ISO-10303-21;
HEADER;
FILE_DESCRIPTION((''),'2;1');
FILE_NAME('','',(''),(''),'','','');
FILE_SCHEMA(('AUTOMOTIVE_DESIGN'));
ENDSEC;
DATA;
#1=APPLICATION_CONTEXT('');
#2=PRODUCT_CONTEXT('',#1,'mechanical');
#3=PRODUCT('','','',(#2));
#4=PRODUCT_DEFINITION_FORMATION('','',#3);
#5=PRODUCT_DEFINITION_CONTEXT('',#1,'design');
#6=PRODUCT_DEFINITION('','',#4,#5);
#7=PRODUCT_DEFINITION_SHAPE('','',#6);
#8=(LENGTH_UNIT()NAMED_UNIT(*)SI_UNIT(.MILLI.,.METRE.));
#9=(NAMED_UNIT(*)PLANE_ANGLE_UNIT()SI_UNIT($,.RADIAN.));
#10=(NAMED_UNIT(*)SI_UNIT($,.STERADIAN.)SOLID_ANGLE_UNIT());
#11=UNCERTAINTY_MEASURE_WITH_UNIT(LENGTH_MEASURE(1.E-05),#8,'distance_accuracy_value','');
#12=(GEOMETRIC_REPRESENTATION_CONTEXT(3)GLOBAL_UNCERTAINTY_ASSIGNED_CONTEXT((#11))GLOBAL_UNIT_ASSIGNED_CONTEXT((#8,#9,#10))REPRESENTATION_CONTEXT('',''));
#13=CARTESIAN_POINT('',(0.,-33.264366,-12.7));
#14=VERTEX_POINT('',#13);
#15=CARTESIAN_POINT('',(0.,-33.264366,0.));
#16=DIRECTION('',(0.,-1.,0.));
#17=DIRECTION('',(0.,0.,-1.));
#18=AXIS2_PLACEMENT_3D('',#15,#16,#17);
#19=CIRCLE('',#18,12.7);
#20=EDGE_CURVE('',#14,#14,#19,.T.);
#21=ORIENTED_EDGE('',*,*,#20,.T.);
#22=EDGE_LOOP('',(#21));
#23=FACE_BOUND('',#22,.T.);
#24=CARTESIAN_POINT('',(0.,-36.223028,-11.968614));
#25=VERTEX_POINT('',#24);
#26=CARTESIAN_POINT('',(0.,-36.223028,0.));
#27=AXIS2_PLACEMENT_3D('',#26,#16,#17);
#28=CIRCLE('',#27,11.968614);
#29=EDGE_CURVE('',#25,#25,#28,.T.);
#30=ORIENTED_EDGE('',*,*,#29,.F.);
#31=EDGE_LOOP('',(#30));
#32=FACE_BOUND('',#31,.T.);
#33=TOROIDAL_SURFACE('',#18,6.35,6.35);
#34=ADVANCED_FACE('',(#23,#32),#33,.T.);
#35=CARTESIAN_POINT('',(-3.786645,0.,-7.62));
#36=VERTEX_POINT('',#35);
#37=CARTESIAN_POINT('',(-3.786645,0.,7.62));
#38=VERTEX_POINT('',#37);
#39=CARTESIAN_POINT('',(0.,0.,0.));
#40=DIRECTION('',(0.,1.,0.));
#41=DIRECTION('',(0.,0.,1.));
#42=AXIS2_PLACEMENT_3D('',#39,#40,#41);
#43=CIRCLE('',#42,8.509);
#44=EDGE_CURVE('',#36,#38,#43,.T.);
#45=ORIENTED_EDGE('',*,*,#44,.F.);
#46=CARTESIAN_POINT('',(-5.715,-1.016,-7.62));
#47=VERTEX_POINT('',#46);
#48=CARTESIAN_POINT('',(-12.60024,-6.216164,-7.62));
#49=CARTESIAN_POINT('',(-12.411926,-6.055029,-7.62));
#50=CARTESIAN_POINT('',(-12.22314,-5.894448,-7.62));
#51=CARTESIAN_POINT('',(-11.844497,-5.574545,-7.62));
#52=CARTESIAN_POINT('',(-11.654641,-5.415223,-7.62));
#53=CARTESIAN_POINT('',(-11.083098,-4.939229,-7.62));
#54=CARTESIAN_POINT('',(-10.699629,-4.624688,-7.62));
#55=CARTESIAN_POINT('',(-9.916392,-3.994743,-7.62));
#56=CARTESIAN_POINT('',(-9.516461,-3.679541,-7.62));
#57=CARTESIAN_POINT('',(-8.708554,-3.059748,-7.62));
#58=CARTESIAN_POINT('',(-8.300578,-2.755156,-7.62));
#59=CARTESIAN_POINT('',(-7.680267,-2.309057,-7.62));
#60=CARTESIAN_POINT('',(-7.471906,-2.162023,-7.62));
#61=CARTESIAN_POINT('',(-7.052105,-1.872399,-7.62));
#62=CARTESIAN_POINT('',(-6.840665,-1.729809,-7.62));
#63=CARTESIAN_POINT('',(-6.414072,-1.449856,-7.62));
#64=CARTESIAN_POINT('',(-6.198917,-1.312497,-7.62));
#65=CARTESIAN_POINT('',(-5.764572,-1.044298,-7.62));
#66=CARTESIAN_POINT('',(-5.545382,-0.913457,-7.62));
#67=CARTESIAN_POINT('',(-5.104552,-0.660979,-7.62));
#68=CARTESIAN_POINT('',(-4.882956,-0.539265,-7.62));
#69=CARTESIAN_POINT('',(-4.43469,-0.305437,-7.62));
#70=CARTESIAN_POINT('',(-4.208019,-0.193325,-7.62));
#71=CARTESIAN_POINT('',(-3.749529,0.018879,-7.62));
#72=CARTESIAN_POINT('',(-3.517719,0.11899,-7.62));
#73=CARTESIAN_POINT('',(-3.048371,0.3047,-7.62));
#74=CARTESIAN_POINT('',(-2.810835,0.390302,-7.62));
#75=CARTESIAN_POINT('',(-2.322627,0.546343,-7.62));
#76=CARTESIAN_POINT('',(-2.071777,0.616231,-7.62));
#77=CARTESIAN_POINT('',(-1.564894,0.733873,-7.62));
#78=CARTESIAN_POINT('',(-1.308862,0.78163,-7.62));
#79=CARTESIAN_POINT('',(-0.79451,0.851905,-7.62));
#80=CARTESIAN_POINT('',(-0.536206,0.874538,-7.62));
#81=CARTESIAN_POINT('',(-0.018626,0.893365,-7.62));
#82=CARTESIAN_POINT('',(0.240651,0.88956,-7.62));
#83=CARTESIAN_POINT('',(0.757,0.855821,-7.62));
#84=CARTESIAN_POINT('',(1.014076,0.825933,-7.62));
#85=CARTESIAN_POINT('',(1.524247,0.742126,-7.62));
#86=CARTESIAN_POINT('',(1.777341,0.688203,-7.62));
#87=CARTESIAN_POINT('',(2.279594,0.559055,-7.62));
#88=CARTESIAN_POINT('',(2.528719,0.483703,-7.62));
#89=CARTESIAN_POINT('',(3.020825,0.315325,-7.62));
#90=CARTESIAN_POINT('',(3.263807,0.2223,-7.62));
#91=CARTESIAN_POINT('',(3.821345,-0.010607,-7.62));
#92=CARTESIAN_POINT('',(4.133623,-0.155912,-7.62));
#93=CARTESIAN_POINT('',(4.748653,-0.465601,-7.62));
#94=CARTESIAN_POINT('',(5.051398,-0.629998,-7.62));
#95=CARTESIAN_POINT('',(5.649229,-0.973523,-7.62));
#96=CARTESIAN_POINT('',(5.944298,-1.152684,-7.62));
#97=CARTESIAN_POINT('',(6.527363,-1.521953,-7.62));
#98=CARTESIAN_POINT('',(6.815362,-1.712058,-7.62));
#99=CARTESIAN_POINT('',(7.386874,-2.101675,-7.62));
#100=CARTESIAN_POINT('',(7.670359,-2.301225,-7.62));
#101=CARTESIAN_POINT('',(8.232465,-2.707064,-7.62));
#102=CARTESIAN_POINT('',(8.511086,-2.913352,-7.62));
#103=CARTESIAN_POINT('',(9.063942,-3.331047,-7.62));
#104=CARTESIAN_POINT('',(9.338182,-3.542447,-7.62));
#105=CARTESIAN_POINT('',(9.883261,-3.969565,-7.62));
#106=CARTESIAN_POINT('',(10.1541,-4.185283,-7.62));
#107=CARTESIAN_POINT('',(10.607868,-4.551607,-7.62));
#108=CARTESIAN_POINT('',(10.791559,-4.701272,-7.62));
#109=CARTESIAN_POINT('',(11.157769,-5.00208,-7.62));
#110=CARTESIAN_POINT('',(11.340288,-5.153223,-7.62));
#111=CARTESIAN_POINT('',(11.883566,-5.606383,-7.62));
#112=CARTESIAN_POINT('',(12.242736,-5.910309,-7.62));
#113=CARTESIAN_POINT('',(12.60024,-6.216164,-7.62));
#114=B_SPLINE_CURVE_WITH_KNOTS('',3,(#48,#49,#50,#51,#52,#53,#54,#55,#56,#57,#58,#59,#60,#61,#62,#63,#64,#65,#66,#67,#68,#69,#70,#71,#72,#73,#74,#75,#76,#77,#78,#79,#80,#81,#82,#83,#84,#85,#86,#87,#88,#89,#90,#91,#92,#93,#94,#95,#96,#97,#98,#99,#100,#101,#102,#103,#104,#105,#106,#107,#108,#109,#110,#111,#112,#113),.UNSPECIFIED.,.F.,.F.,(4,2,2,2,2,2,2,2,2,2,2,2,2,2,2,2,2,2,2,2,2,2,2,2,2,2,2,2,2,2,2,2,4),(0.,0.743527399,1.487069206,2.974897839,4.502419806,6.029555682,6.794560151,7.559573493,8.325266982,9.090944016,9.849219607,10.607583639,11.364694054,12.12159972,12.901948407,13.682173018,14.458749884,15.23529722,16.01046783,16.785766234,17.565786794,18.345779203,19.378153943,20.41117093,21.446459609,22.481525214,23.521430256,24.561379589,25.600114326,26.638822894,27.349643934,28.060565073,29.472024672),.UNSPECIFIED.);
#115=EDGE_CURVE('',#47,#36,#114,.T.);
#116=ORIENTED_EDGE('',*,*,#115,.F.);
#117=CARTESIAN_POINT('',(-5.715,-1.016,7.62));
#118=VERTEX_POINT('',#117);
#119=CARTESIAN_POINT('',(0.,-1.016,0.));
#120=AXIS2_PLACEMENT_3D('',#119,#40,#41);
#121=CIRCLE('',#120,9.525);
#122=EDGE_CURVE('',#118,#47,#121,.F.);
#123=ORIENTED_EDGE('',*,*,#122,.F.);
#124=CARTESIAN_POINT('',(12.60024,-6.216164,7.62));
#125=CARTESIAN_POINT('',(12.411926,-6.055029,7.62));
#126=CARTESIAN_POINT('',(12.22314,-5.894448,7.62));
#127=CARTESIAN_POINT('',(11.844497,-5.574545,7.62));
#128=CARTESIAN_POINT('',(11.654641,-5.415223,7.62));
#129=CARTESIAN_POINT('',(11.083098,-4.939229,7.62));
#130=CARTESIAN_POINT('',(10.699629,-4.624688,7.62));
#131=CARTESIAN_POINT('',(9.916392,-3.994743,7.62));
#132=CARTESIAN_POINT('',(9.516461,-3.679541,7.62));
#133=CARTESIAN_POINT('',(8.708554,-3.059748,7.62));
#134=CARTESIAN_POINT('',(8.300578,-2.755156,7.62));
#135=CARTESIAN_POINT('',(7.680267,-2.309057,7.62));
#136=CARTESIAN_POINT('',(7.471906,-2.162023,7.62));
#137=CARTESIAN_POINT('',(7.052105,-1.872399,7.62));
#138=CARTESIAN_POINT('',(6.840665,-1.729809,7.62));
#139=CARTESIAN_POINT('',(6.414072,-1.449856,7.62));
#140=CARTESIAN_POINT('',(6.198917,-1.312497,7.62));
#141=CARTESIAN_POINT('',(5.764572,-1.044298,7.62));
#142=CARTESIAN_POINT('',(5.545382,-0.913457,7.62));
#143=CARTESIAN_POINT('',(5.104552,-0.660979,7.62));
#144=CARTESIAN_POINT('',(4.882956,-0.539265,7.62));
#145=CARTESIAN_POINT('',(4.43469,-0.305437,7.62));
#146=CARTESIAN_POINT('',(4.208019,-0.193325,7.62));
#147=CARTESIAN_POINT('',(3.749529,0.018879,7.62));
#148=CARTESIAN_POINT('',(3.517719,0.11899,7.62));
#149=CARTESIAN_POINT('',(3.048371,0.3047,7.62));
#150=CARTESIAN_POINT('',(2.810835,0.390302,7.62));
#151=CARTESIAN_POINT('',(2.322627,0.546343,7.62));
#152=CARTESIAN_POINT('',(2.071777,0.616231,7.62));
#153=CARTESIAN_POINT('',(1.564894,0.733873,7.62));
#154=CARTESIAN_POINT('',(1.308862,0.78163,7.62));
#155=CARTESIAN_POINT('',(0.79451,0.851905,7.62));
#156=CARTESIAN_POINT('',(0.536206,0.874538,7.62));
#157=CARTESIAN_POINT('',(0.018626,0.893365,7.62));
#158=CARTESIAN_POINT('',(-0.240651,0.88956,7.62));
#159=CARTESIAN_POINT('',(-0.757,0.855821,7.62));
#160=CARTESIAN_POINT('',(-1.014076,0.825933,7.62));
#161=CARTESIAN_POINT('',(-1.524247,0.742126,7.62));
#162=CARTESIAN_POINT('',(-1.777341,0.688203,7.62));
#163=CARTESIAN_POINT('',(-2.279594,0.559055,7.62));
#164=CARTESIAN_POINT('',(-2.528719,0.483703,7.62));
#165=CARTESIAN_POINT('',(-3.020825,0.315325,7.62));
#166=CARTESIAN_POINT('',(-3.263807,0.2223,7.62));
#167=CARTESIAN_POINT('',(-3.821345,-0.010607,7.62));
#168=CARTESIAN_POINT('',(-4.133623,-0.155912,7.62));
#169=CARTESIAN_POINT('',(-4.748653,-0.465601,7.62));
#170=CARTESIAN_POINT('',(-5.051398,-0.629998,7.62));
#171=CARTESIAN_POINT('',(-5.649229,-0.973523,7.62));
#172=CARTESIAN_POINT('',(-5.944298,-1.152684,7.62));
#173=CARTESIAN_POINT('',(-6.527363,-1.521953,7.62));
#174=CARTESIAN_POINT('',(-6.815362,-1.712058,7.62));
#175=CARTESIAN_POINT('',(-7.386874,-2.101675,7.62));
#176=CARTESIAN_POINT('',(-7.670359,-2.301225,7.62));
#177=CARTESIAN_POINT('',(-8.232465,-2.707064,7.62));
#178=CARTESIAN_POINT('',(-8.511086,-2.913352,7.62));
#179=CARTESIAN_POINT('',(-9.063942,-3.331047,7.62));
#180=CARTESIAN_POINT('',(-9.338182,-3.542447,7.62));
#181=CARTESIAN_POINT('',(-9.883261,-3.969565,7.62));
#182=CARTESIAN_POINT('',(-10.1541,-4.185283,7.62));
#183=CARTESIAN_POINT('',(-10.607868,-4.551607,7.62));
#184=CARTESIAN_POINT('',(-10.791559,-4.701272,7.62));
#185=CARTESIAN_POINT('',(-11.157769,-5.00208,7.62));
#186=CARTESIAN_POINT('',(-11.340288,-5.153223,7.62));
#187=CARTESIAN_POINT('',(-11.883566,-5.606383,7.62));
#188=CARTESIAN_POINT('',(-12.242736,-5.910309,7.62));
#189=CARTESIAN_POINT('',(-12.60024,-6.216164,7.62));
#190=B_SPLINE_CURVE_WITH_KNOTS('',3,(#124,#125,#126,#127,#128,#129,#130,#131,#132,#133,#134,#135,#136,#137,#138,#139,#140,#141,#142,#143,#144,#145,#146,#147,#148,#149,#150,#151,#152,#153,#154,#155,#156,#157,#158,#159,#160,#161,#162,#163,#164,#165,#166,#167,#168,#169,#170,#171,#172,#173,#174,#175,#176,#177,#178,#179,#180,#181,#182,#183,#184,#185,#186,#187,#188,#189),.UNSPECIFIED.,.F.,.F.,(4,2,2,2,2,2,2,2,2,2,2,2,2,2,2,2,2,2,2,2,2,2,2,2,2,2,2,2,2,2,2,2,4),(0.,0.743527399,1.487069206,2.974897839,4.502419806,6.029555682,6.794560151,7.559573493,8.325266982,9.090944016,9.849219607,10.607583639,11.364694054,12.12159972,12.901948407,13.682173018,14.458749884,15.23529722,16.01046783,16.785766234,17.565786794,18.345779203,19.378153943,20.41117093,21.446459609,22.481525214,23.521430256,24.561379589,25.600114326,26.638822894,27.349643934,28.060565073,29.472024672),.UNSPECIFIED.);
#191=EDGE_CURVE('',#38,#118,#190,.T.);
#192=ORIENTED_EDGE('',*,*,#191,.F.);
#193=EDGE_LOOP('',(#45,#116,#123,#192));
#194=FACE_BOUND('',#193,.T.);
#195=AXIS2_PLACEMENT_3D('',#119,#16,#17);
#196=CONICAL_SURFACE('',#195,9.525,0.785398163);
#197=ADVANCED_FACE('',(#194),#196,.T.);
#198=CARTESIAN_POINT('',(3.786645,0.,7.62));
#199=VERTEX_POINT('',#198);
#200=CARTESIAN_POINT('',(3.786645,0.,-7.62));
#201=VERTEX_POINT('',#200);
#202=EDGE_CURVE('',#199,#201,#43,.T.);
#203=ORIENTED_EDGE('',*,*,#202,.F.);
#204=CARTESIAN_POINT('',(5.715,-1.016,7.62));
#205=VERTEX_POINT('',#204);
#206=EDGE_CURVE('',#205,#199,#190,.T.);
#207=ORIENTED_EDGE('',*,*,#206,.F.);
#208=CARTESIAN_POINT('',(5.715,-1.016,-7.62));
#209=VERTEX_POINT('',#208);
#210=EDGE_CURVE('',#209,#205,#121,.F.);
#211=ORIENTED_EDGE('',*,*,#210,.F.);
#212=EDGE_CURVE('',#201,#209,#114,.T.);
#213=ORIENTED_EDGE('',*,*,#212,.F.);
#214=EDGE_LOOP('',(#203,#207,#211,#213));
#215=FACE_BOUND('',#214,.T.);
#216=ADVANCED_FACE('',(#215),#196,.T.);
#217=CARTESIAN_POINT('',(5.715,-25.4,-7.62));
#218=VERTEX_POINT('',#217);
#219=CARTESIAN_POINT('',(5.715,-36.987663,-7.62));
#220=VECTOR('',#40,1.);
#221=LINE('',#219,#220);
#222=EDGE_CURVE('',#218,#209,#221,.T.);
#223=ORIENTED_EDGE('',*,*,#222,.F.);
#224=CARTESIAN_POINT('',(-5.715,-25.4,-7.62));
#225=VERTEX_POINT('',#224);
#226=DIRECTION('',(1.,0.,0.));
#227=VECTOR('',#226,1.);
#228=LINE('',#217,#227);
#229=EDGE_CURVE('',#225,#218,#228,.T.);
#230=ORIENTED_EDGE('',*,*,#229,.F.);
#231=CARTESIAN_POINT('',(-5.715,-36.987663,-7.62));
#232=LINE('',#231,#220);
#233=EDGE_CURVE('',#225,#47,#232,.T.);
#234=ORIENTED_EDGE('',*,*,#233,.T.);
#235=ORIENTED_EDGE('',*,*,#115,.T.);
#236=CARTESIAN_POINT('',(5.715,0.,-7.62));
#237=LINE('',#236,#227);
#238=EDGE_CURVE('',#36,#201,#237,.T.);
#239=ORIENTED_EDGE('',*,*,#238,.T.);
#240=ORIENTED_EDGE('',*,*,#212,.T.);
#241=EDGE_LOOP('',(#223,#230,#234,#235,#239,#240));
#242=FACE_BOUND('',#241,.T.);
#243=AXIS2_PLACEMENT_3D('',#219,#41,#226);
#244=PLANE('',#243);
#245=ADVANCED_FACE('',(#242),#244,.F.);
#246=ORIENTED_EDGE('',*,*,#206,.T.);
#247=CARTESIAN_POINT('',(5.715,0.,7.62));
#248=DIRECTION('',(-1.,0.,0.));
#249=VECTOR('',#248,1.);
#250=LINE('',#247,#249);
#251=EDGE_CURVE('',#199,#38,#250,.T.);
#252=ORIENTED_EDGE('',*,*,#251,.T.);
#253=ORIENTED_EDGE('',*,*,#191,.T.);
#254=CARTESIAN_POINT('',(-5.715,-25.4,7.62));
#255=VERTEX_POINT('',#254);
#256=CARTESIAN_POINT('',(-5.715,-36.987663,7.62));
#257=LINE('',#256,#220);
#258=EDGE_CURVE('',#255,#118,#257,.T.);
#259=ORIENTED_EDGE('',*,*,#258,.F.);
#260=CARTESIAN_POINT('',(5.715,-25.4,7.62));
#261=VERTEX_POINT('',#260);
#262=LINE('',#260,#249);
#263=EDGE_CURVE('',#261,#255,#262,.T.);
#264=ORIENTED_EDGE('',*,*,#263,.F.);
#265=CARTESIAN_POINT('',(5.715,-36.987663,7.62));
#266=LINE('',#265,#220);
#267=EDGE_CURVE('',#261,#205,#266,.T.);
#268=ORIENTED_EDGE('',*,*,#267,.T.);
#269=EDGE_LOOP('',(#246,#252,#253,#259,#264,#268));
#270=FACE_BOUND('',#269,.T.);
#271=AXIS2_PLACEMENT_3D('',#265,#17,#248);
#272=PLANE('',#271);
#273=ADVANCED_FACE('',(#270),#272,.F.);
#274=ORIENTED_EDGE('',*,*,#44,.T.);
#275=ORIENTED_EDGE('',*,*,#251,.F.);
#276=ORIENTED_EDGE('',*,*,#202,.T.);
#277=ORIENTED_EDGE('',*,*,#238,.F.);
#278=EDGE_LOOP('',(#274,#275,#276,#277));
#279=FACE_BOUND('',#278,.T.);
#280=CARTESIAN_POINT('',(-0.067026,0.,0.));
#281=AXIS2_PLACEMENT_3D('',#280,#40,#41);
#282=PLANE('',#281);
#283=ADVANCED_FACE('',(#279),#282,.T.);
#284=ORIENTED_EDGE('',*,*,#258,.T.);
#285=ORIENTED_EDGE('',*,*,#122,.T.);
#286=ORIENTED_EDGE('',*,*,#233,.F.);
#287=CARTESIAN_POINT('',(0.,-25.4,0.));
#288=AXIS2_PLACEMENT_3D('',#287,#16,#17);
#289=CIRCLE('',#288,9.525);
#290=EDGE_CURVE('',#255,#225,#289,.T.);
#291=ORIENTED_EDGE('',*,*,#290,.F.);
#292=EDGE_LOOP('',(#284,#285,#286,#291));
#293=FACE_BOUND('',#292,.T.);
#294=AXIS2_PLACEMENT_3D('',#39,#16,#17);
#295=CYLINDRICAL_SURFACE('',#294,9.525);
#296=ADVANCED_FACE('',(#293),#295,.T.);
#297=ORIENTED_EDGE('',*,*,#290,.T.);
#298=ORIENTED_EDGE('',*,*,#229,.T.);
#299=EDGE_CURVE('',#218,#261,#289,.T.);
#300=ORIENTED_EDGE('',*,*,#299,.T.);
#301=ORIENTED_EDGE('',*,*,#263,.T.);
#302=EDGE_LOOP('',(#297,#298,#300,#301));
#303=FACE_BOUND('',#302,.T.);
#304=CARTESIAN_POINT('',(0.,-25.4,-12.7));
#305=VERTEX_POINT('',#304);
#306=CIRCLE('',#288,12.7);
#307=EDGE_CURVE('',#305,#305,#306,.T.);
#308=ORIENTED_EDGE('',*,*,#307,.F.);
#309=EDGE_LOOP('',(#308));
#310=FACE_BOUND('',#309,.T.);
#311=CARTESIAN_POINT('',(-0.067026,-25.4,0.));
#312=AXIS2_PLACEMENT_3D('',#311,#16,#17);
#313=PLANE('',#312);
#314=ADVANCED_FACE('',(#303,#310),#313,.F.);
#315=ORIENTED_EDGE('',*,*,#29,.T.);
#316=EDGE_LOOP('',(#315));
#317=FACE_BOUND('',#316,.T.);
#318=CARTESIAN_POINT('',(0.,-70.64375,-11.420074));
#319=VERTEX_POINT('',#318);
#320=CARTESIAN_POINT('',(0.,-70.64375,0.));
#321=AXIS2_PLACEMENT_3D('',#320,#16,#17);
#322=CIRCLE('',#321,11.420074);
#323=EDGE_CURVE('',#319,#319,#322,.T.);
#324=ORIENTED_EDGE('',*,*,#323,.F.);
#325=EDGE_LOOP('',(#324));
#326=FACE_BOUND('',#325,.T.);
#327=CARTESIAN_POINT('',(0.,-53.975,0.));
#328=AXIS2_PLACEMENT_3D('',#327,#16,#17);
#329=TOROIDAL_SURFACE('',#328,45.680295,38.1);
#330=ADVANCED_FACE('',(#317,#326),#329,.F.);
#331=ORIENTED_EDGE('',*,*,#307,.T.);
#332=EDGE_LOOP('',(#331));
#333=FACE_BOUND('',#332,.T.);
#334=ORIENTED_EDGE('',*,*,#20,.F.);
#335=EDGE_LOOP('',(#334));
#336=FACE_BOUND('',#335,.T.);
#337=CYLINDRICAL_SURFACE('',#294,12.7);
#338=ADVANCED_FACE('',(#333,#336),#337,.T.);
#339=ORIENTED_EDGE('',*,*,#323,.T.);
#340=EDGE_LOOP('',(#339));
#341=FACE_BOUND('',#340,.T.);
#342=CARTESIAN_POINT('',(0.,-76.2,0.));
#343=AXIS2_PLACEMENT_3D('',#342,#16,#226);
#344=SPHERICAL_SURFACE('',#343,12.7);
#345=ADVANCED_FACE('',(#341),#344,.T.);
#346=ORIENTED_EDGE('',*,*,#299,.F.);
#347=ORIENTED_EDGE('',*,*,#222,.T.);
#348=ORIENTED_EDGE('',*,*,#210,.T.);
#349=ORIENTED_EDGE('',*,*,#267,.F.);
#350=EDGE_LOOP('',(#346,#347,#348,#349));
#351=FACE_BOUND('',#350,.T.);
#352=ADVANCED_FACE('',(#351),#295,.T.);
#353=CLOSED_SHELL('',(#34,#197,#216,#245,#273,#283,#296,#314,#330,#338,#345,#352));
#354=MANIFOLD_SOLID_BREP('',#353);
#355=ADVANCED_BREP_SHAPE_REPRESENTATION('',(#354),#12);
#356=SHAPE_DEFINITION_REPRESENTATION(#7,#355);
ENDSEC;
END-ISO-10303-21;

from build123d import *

# Parameters (mm, degrees)
CHAMFER1_SIZE      = 1.016
CUT_EXTRUDE1_DEPTH = 25.4


with BuildPart() as part:
    # Sketch1 → Revolve1 (revolve)
    with BuildSketch(Plane.XY, mode=Mode.PRIVATE) as revolve1_sk:
        with BuildLine():
            Line((9.525, 0), (0, 0))
            Line((0, 0), (0, -88.9))
            ThreePointArc((0, -88.9), (10.766948848, -82.935192091), (11.420073815, -70.64375))
            ThreePointArc((11.420073815, -70.64375), (7.585132399, -53.36790313), (11.968613609, -36.223027708))
            ThreePointArc((11.968613609, -36.223027708), (12.514442246, -34.788226477), (12.7, -33.264365659))
            Line((12.7, -33.264365659), (12.7, -25.4))
            Line((12.7, -25.4), (9.525, -25.4))
            Line((9.525, -25.4), (9.525, 0))
        make_face()
    revolve(revolve1_sk.sketch.rotate(Axis((0, 0, 0), (0, 1, 0)), 90), axis=Axis((0, 0, 0), (0, 1, 0)))

    # Chamfer1
    chamfer1_edges = [part.edges().sort_by_distance(p)[0] for p in [
        (0, 0, 9.525),
    ]]
    chamfer(chamfer1_edges, length=CHAMFER1_SIZE)

    # Sketch2 → Cut-Extrude1 (cut)
    with BuildSketch(Plane(origin=(0, 0, 0), x_dir=(-1, 0, 0), z_dir=(0, 1, 0))):
        with BuildLine():
            Line((-5.715, 7.62), (5.715, 7.62))
            ThreePointArc((5.715, 7.62), (0, 9.525), (-5.715, 7.62))
        make_face()
        with BuildLine():
            Line((-5.715, -7.62), (5.715, -7.62))
            ThreePointArc((5.715, -7.62), (0, -9.525), (-5.715, -7.62))
        make_face()
    extrude(amount=-CUT_EXTRUDE1_DEPTH, mode=Mode.SUBTRACT)


solid = part.part
